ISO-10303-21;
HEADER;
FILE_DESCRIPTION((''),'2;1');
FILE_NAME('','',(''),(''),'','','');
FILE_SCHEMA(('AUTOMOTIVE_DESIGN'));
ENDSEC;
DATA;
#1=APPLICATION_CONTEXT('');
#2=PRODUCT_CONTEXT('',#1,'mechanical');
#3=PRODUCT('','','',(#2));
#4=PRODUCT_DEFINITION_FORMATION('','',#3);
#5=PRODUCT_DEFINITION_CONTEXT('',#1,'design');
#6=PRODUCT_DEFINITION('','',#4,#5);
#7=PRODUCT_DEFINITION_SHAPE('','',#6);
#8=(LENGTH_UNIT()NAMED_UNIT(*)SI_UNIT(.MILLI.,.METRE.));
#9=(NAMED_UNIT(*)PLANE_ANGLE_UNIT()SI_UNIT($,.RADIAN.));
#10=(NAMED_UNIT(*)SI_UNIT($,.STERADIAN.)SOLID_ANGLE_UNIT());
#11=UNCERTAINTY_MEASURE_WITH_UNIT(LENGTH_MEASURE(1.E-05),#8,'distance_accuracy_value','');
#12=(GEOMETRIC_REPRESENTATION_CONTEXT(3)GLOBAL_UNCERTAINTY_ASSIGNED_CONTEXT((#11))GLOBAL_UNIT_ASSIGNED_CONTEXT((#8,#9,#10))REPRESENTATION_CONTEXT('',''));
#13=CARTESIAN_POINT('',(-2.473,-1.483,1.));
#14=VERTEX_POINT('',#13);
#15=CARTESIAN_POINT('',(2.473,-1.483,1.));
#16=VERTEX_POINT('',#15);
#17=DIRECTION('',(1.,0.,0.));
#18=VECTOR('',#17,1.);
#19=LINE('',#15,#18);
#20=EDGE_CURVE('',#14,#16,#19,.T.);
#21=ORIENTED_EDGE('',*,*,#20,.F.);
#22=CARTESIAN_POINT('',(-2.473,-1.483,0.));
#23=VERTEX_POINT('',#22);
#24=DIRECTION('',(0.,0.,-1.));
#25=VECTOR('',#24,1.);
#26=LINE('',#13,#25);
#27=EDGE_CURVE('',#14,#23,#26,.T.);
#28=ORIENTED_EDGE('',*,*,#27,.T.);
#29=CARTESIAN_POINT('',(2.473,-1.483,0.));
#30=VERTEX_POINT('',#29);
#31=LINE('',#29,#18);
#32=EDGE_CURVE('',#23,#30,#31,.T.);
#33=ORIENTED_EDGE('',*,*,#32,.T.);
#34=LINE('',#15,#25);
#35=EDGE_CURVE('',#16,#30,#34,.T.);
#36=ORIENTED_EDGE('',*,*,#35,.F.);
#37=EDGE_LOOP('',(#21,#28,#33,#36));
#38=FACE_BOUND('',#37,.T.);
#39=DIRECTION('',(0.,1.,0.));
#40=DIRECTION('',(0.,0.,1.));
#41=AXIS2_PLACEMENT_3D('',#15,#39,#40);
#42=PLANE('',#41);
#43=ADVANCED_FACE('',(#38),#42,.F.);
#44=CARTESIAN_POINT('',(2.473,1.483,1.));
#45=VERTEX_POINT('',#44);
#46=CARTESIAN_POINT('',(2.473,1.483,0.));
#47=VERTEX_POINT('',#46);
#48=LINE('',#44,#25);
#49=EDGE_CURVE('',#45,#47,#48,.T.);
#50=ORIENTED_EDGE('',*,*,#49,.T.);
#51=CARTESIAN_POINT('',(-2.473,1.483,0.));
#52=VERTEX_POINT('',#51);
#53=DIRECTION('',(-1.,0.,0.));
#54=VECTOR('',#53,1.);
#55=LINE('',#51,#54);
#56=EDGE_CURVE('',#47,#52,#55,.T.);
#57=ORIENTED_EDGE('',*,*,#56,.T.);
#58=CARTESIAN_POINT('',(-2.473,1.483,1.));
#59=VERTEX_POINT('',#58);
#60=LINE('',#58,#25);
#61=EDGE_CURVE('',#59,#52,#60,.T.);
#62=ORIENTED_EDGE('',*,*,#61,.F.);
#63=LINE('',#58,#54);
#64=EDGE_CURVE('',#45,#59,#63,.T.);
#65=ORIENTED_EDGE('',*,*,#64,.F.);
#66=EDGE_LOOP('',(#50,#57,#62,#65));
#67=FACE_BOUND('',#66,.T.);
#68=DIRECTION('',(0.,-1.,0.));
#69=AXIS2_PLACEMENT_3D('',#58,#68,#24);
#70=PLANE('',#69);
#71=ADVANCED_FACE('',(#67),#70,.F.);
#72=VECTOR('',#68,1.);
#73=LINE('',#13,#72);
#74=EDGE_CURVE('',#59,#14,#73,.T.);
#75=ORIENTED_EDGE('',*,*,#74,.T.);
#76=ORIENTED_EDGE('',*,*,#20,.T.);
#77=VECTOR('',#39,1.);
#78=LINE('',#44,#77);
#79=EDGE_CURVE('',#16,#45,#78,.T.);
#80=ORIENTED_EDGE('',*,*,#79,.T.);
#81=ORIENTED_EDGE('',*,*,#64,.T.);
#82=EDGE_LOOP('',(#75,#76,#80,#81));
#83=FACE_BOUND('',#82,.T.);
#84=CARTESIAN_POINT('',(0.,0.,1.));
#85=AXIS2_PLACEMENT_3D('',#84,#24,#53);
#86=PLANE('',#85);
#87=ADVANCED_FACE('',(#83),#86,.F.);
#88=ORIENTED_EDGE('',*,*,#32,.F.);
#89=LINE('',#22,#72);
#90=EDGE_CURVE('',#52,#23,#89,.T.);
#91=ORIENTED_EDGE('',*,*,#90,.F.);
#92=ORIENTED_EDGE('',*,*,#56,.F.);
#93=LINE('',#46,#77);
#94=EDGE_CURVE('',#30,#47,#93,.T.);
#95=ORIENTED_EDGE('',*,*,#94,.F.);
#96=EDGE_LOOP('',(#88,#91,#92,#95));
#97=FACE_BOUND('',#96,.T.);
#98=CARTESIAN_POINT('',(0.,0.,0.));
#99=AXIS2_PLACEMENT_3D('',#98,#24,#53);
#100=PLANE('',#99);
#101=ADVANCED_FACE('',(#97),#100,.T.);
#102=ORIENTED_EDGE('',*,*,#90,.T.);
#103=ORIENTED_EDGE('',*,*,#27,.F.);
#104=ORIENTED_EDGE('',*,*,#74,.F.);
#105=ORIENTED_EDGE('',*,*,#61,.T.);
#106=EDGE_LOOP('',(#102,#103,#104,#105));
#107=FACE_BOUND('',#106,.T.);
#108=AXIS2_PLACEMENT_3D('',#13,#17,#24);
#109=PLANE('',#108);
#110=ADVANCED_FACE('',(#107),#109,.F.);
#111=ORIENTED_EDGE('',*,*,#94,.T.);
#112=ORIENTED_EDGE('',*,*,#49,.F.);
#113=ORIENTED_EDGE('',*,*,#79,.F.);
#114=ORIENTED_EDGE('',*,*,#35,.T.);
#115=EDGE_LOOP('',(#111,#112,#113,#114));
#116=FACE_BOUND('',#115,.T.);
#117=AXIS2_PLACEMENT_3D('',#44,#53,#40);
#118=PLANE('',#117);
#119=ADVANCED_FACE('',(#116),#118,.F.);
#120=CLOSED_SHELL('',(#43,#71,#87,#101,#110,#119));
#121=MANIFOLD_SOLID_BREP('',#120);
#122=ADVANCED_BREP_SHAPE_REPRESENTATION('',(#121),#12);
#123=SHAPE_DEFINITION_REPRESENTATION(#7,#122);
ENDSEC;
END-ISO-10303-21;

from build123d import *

# Parameters (mm, degrees)
SKETCH1_W               = 4.946
SKETCH1_H               = 2.966
COMPONENT_OUTLINE_DEPTH = 1


with BuildPart() as part:
    # Sketch1 → Component_Outline (new body)
    with BuildSketch(Plane.XY):
        Rectangle(SKETCH1_W, SKETCH1_H)
    extrude(amount=COMPONENT_OUTLINE_DEPTH)


solid = part.part
